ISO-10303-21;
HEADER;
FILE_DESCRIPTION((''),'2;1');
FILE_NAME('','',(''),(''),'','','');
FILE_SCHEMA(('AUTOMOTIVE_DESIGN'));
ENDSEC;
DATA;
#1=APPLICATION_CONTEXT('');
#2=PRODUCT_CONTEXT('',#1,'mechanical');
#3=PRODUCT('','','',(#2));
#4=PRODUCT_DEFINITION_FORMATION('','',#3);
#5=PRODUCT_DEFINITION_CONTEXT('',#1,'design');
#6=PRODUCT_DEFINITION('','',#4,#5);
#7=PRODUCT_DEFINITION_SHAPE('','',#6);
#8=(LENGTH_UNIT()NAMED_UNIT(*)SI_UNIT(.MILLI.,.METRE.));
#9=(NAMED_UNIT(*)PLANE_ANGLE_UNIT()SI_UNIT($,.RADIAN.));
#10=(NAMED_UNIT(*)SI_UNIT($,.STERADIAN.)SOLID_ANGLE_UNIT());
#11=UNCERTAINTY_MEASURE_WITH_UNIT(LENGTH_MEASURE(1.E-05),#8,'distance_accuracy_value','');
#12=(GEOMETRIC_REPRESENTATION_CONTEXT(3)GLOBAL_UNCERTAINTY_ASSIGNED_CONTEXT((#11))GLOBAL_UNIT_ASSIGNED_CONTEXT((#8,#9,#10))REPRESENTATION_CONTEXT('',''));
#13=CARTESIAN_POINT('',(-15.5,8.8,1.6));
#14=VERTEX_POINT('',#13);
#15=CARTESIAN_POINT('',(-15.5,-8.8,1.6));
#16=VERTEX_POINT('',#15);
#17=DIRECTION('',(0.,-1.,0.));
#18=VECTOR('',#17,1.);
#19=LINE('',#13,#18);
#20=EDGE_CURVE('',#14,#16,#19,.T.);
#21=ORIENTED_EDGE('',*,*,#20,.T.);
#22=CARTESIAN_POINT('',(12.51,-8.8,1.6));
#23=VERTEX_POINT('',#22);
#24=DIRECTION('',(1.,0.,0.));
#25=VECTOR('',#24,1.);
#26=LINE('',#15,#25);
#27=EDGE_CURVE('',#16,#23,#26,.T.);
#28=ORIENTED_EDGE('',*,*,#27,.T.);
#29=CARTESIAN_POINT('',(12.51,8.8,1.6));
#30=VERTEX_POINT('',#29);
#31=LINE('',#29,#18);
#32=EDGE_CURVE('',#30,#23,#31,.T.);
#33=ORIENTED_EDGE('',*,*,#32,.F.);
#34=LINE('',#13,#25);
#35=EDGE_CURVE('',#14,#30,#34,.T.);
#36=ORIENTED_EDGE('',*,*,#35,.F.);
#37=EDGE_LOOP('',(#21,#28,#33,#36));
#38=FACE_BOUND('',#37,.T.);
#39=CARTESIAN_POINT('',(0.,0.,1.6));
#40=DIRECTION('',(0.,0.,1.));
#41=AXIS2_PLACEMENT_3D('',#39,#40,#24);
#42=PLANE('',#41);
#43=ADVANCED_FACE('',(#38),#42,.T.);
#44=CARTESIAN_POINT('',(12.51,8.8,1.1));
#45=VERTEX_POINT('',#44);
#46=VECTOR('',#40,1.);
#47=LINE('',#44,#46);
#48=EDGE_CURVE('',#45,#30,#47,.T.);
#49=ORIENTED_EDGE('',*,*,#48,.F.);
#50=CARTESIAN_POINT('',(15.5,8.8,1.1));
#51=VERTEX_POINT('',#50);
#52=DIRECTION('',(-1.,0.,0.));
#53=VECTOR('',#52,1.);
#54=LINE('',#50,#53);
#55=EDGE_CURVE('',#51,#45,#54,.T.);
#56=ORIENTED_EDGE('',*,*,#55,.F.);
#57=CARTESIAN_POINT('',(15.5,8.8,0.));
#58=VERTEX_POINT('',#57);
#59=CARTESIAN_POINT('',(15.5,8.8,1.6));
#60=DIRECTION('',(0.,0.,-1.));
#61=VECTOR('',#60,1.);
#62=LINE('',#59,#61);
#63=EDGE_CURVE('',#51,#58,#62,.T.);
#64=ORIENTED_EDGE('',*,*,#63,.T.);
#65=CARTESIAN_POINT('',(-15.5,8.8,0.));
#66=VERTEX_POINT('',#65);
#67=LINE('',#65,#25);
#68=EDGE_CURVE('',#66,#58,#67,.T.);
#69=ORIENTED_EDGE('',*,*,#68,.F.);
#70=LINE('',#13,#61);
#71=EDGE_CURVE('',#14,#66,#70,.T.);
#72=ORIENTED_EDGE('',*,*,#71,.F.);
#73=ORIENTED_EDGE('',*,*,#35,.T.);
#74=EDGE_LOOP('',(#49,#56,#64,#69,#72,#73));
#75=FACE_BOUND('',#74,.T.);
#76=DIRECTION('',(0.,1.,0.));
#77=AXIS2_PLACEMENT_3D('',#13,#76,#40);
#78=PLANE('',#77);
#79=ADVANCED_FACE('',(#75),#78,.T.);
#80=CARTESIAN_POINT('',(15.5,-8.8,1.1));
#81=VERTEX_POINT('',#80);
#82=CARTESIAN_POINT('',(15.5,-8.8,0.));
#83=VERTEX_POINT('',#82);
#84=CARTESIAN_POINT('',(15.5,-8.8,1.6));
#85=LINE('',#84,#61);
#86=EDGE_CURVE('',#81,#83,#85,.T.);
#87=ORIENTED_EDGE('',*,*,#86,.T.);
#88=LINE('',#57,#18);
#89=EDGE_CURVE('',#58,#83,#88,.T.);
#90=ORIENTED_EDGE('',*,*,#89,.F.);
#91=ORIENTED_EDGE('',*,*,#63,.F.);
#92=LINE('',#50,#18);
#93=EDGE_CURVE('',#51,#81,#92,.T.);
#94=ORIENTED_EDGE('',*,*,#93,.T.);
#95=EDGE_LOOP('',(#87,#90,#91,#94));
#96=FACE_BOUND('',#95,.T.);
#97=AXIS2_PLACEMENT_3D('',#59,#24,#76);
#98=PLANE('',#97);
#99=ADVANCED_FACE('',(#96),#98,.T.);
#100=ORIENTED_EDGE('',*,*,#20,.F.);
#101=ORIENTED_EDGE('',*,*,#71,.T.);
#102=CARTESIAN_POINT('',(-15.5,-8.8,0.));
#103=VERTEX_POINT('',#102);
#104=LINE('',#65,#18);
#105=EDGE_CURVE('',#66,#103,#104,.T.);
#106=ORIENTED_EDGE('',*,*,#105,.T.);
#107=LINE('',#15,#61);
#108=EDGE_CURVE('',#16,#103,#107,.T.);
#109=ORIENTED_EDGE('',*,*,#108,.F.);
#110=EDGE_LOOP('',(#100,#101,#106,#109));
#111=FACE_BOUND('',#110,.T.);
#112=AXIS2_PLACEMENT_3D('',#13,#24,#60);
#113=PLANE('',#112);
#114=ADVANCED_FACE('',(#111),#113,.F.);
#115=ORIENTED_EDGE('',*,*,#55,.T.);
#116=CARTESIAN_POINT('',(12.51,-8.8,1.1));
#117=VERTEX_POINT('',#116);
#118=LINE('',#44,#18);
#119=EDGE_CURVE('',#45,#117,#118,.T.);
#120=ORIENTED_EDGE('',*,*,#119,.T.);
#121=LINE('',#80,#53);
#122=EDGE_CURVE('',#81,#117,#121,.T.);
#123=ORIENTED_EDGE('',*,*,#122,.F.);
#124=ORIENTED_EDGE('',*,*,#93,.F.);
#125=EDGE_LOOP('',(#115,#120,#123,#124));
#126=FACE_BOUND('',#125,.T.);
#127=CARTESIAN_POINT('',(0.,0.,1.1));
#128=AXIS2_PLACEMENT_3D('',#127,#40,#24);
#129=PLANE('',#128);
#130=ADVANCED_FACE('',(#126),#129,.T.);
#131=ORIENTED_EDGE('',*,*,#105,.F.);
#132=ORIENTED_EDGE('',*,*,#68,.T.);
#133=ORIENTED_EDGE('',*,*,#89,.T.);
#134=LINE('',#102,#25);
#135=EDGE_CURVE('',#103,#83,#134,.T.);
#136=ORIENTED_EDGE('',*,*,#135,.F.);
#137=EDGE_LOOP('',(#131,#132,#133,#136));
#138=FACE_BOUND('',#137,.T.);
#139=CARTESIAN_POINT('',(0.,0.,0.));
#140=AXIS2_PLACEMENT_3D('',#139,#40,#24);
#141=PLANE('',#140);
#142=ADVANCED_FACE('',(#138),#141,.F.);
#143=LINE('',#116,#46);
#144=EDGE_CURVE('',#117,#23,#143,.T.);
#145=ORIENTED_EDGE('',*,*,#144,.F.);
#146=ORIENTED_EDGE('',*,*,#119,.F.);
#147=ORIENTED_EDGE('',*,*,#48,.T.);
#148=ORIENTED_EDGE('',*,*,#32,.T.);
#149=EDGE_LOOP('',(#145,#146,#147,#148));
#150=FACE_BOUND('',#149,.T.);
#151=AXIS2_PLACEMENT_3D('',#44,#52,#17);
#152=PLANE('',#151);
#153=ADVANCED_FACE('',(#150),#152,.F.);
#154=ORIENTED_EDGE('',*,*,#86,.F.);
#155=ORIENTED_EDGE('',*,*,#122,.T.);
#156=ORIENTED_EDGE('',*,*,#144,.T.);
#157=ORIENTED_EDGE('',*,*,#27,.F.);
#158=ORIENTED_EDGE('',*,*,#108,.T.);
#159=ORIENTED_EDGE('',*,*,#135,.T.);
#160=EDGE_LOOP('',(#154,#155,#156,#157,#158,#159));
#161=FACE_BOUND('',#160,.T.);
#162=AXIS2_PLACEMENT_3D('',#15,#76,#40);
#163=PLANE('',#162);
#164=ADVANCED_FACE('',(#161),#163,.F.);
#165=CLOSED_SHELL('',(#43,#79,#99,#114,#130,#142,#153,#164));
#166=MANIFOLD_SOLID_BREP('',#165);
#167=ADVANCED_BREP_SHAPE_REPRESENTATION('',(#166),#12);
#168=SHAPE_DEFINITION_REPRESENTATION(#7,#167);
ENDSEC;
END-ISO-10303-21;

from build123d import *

# Parameters (mm, degrees)
SKETCH_1_W          = 31
SKETCH_1_H          = 17.6
EXTRUDE_1_DEPTH     = 1.6
SKETCH_2_W          = 2.99
SKETCH_2_H          = 17.6
CUT_EXTRUDE_1_DEPTH = 0.5


with BuildPart() as part:
    # 草图1 → 凸台-拉伸1 (new body)
    with BuildSketch(Plane.XY):
        Rectangle(SKETCH_1_W, SKETCH_1_H)
    extrude(amount=EXTRUDE_1_DEPTH)

    # 草图2 → 切除-拉伸1 (cut)
    with BuildSketch(Plane.XY.offset(1.6)):
        with Locations((14.005, 0)):
            Rectangle(SKETCH_2_W, SKETCH_2_H)
    extrude(amount=-CUT_EXTRUDE_1_DEPTH, mode=Mode.SUBTRACT)


solid = part.part
